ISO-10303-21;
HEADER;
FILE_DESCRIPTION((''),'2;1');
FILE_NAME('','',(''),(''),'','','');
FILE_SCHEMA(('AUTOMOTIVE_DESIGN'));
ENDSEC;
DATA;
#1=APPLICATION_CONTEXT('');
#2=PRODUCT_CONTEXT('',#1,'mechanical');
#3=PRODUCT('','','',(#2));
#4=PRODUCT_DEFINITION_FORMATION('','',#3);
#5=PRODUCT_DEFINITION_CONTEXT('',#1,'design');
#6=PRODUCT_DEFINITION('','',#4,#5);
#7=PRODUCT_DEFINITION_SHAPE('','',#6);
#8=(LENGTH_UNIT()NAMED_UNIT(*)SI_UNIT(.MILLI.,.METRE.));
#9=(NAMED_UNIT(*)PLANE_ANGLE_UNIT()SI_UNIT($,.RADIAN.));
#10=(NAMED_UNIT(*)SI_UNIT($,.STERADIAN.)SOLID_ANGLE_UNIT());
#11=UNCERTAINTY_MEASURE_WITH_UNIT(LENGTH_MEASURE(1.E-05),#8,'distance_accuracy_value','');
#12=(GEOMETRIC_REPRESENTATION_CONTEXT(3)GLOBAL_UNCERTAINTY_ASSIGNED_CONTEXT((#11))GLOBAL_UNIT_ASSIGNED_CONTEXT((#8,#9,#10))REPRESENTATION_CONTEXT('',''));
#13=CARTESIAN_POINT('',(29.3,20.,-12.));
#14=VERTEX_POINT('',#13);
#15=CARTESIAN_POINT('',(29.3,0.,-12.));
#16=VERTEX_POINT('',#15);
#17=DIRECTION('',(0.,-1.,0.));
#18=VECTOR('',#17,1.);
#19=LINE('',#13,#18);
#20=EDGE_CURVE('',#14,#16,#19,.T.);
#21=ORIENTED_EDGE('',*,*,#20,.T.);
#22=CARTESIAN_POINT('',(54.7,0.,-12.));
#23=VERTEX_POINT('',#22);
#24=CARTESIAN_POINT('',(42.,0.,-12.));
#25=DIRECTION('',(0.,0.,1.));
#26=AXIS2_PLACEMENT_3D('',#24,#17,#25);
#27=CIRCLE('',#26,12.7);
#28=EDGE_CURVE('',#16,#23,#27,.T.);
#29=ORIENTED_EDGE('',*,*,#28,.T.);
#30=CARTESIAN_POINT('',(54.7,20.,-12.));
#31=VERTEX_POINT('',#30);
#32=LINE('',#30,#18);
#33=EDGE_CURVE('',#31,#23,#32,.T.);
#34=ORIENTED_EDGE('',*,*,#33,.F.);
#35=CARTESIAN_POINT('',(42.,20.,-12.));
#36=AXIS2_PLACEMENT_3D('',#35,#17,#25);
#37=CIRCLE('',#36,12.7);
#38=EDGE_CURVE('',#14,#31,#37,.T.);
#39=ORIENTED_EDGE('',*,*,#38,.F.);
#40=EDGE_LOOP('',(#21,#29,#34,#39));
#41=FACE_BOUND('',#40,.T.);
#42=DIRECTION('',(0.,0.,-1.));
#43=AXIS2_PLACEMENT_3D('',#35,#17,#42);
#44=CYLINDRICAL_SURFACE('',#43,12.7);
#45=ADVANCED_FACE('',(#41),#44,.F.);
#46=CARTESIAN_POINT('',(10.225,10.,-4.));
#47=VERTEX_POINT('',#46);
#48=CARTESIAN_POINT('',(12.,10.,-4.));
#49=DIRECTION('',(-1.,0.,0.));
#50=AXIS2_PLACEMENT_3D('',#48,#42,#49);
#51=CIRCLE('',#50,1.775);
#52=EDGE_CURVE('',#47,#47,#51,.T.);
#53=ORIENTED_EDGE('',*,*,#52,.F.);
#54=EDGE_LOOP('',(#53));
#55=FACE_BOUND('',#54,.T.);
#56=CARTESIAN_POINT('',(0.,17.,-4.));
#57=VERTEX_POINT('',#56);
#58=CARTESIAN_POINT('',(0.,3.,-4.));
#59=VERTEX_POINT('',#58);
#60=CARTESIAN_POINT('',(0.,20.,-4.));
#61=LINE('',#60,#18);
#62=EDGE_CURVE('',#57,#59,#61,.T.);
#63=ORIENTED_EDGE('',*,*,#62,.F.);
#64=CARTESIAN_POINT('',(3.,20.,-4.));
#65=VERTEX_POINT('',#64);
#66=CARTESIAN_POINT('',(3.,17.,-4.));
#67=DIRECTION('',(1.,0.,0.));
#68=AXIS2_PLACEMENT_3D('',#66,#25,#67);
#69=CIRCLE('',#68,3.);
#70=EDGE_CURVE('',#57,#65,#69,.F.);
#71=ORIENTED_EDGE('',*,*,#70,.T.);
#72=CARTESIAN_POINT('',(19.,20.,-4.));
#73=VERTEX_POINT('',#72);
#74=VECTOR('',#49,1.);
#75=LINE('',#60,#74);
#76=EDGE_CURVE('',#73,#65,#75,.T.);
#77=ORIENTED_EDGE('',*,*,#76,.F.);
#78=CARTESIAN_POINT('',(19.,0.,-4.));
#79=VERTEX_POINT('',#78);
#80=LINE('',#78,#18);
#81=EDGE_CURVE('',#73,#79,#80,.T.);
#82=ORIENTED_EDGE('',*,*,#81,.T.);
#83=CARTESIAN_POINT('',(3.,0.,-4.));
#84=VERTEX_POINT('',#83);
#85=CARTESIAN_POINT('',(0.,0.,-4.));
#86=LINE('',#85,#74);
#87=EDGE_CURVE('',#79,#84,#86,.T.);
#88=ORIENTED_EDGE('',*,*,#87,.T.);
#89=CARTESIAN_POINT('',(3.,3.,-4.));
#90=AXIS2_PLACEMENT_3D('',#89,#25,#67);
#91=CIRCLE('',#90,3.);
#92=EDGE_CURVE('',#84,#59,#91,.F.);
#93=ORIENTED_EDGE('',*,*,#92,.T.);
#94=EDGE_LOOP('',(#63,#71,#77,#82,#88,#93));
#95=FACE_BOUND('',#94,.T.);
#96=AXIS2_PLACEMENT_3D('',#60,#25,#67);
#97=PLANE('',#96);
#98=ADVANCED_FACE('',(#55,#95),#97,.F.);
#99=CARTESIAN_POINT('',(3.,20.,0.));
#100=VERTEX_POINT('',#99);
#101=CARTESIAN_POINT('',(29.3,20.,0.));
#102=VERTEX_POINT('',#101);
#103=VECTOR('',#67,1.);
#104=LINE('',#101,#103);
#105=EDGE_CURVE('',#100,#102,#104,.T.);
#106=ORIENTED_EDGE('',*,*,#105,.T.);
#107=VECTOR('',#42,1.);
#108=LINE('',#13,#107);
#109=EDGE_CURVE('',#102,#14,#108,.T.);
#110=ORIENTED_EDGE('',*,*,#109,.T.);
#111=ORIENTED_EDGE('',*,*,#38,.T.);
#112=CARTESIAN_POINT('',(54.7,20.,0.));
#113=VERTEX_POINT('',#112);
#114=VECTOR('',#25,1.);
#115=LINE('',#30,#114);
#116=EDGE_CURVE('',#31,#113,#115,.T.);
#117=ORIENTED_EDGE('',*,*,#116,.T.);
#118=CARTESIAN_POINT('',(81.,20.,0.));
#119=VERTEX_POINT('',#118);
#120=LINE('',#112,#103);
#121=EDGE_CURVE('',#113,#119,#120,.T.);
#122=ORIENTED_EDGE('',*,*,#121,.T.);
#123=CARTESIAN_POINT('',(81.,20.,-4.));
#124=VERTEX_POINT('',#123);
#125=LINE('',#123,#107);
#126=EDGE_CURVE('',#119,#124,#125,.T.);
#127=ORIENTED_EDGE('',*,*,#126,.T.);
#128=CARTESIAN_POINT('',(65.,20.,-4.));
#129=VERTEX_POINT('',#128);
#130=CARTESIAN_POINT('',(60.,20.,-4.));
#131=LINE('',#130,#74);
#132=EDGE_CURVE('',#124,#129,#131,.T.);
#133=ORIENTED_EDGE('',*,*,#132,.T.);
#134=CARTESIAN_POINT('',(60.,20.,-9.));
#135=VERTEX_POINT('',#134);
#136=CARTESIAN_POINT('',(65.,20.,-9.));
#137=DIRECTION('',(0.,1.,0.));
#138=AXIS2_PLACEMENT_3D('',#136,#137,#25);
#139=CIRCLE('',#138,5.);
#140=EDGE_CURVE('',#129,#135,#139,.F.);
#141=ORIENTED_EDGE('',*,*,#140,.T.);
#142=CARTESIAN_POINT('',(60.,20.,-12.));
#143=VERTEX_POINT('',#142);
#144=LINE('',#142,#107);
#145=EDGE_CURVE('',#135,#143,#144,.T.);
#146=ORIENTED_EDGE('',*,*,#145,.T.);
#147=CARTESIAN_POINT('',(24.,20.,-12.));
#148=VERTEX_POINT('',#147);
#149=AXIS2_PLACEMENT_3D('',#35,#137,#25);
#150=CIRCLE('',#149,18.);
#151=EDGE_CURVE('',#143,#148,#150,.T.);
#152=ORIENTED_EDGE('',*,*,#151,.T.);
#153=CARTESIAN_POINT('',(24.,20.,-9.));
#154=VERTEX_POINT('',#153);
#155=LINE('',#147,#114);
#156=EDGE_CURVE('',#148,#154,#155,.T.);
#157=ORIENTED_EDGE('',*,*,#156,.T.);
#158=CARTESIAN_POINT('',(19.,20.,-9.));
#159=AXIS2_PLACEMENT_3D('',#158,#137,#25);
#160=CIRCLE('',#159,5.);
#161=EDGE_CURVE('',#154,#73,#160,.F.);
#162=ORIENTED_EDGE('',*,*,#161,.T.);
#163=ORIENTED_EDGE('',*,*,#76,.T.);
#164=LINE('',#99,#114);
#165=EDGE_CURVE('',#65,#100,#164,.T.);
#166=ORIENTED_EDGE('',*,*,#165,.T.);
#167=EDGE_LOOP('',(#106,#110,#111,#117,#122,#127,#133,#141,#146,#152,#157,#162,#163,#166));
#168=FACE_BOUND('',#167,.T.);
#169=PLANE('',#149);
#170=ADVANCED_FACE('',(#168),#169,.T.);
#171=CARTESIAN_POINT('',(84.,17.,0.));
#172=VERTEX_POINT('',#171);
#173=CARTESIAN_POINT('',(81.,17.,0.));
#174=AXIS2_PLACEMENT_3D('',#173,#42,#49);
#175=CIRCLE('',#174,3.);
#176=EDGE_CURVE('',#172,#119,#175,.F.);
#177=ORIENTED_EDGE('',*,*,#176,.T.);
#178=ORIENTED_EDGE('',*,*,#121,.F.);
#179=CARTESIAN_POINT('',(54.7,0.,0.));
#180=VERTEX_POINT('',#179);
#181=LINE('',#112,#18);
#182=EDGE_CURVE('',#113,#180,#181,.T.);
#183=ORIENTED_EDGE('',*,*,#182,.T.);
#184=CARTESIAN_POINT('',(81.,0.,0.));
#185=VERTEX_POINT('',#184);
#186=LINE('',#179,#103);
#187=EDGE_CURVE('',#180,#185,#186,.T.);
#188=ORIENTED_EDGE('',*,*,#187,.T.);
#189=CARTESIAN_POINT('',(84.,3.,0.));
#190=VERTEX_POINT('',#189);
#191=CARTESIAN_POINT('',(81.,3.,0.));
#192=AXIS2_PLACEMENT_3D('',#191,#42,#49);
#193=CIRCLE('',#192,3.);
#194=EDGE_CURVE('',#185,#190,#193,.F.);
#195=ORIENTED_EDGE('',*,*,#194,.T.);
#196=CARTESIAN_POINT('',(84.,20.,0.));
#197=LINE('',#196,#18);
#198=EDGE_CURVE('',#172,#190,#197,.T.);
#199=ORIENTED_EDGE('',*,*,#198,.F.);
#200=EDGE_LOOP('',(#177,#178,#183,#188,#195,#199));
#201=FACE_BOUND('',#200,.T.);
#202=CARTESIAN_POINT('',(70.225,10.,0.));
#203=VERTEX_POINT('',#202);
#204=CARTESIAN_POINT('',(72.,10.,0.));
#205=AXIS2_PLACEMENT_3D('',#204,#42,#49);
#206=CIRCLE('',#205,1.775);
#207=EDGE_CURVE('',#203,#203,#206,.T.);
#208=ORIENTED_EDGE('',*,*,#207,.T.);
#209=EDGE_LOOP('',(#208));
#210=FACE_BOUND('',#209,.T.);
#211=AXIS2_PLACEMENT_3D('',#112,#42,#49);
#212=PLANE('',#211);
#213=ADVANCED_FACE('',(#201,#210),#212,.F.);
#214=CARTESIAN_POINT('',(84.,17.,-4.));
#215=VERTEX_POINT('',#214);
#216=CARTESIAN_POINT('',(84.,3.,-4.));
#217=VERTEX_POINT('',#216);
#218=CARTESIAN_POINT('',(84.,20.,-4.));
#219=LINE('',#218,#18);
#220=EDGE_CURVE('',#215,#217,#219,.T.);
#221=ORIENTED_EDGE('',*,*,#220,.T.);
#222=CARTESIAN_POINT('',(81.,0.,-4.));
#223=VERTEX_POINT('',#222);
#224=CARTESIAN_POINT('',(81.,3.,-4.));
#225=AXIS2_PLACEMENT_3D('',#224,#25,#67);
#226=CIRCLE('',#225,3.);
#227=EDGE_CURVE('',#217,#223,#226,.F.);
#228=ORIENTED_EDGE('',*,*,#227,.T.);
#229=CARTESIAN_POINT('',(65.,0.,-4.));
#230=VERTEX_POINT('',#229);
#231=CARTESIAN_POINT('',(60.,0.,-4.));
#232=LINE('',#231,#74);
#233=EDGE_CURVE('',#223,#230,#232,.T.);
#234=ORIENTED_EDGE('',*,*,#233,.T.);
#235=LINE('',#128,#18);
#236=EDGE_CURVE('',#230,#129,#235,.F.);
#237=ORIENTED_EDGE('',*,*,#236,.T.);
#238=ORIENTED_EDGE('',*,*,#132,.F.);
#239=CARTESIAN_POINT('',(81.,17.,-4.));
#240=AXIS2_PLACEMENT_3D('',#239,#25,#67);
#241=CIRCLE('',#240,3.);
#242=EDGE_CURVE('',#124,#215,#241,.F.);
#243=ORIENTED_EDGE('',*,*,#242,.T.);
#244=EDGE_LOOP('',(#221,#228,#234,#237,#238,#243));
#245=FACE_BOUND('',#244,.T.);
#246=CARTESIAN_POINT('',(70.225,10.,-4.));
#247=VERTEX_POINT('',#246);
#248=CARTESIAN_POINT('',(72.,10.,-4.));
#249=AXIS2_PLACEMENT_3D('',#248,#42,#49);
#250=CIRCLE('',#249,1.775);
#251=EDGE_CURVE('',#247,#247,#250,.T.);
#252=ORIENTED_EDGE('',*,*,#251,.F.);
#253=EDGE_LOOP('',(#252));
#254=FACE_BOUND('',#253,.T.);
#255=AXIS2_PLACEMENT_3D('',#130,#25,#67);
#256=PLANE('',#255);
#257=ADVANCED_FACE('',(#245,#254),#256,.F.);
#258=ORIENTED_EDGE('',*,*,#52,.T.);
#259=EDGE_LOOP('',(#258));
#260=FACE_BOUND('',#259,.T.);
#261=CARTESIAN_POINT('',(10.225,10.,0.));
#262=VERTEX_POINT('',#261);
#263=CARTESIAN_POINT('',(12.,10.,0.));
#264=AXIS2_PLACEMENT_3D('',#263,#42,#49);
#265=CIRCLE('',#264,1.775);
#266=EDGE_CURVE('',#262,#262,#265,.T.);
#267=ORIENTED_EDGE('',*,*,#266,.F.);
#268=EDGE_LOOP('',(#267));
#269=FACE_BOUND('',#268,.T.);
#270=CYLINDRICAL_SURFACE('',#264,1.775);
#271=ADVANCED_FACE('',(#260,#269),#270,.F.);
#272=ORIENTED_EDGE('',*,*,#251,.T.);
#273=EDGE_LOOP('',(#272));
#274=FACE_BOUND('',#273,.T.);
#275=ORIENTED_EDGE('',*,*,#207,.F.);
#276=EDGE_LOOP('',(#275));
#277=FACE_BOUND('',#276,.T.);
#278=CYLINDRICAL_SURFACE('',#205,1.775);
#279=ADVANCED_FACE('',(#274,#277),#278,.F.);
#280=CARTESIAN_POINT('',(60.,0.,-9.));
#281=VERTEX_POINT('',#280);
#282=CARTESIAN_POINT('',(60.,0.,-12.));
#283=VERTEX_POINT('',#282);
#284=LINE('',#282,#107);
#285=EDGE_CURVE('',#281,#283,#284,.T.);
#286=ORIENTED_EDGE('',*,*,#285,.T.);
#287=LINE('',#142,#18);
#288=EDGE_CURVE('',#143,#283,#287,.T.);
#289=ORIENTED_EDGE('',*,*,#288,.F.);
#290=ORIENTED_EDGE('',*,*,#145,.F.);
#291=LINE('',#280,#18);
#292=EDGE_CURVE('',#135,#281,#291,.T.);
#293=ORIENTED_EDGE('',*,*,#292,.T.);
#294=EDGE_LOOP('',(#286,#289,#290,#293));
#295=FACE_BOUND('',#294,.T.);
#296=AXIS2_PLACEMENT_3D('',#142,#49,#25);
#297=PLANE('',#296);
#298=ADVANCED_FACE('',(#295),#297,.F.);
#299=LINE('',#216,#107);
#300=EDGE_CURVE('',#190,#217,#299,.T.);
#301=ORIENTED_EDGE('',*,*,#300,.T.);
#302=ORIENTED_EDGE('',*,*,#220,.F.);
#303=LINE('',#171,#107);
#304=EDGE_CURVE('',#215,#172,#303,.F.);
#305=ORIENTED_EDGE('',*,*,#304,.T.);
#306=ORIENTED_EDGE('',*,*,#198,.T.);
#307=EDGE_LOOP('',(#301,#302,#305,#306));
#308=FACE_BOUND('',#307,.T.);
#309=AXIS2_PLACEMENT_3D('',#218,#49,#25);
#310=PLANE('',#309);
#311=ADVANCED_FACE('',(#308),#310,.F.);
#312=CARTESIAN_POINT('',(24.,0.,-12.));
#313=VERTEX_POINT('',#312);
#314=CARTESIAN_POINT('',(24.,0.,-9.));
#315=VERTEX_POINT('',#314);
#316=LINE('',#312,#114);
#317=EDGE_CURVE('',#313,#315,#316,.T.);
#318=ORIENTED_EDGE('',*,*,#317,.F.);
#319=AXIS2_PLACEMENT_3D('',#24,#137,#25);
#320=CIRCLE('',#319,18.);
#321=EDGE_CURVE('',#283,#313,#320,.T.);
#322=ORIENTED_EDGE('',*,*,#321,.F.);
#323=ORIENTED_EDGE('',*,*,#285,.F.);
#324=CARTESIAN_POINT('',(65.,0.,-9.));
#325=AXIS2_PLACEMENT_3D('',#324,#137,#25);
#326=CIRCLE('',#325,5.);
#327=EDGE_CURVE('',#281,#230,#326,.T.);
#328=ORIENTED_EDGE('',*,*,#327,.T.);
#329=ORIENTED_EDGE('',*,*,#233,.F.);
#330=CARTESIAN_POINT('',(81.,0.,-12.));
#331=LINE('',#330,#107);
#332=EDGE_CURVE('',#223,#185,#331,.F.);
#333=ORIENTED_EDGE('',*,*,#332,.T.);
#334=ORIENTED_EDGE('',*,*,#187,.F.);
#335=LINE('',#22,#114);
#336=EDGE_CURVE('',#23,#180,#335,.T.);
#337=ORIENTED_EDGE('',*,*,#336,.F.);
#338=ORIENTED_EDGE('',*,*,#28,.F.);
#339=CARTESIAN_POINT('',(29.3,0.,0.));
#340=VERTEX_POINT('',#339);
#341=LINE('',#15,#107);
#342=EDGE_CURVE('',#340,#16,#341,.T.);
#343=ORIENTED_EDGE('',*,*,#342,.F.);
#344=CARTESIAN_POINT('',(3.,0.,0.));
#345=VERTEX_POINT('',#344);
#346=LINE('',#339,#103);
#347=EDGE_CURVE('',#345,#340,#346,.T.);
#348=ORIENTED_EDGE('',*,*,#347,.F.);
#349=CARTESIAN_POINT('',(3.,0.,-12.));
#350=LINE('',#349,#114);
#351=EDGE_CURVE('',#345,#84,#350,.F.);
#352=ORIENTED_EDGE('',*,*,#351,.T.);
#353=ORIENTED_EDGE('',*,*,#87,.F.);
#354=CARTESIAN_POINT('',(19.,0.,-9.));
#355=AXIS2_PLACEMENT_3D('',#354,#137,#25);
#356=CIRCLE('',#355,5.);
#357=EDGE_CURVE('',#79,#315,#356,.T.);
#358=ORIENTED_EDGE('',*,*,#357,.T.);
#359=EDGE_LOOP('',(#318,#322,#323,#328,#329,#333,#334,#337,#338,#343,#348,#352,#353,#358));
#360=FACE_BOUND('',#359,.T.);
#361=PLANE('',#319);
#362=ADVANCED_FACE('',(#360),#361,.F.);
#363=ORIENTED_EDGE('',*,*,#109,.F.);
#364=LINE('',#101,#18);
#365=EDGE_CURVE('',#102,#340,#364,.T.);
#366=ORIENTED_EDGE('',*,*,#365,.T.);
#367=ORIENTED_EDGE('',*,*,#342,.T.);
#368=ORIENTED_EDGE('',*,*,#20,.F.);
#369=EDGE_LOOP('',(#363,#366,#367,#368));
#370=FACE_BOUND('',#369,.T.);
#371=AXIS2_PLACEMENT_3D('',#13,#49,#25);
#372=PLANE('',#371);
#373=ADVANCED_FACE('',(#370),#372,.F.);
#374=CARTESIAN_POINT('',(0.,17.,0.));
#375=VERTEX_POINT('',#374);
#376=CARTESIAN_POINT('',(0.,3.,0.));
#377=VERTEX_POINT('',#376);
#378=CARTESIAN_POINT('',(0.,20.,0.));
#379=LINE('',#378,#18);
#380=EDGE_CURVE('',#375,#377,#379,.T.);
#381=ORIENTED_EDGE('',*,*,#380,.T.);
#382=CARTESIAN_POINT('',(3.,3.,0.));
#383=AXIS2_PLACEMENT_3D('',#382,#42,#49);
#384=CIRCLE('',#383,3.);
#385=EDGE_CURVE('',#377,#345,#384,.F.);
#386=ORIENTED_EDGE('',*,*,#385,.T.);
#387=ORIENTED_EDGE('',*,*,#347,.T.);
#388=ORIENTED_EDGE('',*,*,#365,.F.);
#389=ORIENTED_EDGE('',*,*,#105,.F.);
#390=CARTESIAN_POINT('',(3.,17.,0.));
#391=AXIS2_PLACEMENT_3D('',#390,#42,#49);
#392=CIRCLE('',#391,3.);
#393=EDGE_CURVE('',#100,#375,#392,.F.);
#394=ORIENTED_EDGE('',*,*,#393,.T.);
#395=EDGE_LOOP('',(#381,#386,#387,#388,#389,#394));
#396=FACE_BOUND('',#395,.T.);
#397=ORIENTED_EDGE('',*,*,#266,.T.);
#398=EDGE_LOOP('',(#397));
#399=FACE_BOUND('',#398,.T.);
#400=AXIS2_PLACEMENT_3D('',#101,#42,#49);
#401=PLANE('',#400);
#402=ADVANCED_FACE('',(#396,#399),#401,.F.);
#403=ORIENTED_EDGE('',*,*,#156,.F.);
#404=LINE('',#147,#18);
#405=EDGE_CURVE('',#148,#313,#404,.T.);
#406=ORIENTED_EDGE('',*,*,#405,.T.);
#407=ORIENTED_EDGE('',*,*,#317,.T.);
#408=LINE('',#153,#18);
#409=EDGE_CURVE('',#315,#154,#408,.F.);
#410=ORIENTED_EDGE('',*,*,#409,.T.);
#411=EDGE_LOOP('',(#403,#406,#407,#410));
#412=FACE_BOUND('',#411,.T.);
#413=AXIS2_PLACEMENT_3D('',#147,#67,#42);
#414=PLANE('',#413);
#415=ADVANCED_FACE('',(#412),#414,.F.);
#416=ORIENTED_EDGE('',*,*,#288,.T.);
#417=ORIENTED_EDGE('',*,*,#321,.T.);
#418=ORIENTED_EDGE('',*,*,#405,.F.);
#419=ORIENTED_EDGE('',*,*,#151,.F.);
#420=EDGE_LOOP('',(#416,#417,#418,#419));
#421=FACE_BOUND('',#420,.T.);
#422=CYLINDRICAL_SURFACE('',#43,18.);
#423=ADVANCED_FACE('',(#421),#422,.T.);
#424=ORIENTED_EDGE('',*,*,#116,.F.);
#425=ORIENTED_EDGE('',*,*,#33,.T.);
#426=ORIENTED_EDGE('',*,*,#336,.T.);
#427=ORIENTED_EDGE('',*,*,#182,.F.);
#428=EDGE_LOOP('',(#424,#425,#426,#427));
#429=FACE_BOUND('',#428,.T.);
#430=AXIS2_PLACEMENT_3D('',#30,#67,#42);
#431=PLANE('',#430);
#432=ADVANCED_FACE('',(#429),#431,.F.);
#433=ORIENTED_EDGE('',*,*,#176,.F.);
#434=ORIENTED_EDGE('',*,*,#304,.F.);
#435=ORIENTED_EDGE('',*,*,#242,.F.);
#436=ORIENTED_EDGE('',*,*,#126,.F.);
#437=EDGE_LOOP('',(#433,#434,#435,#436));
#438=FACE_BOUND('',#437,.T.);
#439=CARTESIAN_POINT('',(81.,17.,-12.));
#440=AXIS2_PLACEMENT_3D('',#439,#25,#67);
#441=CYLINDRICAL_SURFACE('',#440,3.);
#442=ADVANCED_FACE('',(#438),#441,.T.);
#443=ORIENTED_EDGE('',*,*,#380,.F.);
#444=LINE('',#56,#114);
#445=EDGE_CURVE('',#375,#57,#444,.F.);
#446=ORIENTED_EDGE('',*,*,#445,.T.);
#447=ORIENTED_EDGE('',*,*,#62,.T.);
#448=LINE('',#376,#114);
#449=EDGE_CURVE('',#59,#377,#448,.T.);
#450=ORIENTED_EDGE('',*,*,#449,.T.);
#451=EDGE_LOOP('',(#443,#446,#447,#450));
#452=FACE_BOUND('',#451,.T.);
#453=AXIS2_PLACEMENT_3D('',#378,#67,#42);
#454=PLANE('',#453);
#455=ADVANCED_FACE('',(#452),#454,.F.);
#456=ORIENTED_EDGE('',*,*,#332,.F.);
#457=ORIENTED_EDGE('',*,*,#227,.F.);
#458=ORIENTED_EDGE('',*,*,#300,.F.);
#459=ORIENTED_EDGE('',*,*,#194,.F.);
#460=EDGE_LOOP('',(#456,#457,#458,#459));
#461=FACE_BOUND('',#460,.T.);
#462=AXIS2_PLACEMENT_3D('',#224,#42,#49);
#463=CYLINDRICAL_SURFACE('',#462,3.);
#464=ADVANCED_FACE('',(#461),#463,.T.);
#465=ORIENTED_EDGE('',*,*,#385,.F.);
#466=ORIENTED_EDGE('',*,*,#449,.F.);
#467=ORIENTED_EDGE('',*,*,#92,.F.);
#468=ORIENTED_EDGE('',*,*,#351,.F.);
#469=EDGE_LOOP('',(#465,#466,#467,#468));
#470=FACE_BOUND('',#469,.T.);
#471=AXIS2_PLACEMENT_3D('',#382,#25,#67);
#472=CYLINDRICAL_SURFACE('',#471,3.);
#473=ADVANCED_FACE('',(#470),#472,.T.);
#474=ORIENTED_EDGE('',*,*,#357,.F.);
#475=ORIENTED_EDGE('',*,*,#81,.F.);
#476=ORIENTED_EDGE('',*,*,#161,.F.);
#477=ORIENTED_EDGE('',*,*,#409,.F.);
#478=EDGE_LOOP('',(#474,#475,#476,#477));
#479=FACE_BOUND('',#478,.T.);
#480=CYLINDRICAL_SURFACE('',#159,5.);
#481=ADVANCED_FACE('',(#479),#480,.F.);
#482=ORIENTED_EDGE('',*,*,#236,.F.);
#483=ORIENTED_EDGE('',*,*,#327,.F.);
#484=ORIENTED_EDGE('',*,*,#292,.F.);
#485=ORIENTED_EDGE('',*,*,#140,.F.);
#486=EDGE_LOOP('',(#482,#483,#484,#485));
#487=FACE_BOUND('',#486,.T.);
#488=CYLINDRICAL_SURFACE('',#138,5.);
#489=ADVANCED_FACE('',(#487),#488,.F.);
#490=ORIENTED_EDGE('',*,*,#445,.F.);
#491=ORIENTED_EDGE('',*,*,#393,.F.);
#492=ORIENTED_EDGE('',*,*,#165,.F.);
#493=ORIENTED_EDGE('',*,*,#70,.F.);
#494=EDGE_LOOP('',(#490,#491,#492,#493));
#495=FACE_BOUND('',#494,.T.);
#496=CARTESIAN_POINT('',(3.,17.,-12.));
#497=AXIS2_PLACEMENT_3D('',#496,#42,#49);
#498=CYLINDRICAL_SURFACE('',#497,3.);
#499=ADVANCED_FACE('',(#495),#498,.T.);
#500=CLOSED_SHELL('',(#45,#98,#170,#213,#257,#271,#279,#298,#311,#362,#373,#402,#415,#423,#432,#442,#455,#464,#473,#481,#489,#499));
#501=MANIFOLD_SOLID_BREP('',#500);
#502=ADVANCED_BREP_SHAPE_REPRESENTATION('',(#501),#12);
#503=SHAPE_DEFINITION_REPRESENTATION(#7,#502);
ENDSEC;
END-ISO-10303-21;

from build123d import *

# Parameters (mm, degrees)
BOSS_EXTRUDE1_DEPTH = 20
SKETCH2_R           = 1.775
CUT_EXTRUDE1_DEPTH  = 5
FILLET1_R           = 3
FILLET2_R           = 5


with BuildPart() as part:
    # Sketch1 → Boss-Extrude1 (new body)
    with BuildSketch(Plane(origin=(0, 0, 0), x_dir=(1, 0, 0), z_dir=(0, 1, 0))):
        with BuildLine():
            Line((0, 0), (0, 4))
            Line((0, 4), (24, 4))
            Line((24, 4), (24, 12))
            ThreePointArc((24, 12), (42, 30), (60, 12))
            Line((60, 12), (60, 4))
            Line((60, 4), (84, 4))
            Line((84, 4), (84, 0))
            Line((84, 0), (54.7, 0))
            Line((54.7, 0), (54.7, 12))
            ThreePointArc((54.7, 12), (42, 24.7), (29.3, 12))
            Line((29.3, 12), (29.3, 0))
            Line((29.3, 0), (0, 0))
        make_face()
    extrude(amount=BOSS_EXTRUDE1_DEPTH)

    # Sketch2 → Cut-Extrude1 (cut, through all)
    with BuildSketch(Plane(origin=(0, 0, -4), x_dir=(-1, 0, 0), z_dir=(0, 0, -1))):
        with Locations((-72, 10)):
            Circle(SKETCH2_R)
        with Locations((-12, 10)):
            Circle(SKETCH2_R)
    extrude(amount=-CUT_EXTRUDE1_DEPTH, mode=Mode.SUBTRACT)

    # Fillet1
    fillet1_edges = [part.edges().sort_by_distance(p)[0] for p in [
        (0, 0, -2),
        (84, 0, -2),
        (84, 20, -2),
        (0, 20, -2),
    ]]
    fillet(fillet1_edges, radius=FILLET1_R)

    # Fillet2
    fillet2_edges = [part.edges().sort_by_distance(p)[0] for p in [
        (24, 10, -4),
        (60, 10, -4),
    ]]
    fillet(fillet2_edges, radius=FILLET2_R)


solid = part.part
